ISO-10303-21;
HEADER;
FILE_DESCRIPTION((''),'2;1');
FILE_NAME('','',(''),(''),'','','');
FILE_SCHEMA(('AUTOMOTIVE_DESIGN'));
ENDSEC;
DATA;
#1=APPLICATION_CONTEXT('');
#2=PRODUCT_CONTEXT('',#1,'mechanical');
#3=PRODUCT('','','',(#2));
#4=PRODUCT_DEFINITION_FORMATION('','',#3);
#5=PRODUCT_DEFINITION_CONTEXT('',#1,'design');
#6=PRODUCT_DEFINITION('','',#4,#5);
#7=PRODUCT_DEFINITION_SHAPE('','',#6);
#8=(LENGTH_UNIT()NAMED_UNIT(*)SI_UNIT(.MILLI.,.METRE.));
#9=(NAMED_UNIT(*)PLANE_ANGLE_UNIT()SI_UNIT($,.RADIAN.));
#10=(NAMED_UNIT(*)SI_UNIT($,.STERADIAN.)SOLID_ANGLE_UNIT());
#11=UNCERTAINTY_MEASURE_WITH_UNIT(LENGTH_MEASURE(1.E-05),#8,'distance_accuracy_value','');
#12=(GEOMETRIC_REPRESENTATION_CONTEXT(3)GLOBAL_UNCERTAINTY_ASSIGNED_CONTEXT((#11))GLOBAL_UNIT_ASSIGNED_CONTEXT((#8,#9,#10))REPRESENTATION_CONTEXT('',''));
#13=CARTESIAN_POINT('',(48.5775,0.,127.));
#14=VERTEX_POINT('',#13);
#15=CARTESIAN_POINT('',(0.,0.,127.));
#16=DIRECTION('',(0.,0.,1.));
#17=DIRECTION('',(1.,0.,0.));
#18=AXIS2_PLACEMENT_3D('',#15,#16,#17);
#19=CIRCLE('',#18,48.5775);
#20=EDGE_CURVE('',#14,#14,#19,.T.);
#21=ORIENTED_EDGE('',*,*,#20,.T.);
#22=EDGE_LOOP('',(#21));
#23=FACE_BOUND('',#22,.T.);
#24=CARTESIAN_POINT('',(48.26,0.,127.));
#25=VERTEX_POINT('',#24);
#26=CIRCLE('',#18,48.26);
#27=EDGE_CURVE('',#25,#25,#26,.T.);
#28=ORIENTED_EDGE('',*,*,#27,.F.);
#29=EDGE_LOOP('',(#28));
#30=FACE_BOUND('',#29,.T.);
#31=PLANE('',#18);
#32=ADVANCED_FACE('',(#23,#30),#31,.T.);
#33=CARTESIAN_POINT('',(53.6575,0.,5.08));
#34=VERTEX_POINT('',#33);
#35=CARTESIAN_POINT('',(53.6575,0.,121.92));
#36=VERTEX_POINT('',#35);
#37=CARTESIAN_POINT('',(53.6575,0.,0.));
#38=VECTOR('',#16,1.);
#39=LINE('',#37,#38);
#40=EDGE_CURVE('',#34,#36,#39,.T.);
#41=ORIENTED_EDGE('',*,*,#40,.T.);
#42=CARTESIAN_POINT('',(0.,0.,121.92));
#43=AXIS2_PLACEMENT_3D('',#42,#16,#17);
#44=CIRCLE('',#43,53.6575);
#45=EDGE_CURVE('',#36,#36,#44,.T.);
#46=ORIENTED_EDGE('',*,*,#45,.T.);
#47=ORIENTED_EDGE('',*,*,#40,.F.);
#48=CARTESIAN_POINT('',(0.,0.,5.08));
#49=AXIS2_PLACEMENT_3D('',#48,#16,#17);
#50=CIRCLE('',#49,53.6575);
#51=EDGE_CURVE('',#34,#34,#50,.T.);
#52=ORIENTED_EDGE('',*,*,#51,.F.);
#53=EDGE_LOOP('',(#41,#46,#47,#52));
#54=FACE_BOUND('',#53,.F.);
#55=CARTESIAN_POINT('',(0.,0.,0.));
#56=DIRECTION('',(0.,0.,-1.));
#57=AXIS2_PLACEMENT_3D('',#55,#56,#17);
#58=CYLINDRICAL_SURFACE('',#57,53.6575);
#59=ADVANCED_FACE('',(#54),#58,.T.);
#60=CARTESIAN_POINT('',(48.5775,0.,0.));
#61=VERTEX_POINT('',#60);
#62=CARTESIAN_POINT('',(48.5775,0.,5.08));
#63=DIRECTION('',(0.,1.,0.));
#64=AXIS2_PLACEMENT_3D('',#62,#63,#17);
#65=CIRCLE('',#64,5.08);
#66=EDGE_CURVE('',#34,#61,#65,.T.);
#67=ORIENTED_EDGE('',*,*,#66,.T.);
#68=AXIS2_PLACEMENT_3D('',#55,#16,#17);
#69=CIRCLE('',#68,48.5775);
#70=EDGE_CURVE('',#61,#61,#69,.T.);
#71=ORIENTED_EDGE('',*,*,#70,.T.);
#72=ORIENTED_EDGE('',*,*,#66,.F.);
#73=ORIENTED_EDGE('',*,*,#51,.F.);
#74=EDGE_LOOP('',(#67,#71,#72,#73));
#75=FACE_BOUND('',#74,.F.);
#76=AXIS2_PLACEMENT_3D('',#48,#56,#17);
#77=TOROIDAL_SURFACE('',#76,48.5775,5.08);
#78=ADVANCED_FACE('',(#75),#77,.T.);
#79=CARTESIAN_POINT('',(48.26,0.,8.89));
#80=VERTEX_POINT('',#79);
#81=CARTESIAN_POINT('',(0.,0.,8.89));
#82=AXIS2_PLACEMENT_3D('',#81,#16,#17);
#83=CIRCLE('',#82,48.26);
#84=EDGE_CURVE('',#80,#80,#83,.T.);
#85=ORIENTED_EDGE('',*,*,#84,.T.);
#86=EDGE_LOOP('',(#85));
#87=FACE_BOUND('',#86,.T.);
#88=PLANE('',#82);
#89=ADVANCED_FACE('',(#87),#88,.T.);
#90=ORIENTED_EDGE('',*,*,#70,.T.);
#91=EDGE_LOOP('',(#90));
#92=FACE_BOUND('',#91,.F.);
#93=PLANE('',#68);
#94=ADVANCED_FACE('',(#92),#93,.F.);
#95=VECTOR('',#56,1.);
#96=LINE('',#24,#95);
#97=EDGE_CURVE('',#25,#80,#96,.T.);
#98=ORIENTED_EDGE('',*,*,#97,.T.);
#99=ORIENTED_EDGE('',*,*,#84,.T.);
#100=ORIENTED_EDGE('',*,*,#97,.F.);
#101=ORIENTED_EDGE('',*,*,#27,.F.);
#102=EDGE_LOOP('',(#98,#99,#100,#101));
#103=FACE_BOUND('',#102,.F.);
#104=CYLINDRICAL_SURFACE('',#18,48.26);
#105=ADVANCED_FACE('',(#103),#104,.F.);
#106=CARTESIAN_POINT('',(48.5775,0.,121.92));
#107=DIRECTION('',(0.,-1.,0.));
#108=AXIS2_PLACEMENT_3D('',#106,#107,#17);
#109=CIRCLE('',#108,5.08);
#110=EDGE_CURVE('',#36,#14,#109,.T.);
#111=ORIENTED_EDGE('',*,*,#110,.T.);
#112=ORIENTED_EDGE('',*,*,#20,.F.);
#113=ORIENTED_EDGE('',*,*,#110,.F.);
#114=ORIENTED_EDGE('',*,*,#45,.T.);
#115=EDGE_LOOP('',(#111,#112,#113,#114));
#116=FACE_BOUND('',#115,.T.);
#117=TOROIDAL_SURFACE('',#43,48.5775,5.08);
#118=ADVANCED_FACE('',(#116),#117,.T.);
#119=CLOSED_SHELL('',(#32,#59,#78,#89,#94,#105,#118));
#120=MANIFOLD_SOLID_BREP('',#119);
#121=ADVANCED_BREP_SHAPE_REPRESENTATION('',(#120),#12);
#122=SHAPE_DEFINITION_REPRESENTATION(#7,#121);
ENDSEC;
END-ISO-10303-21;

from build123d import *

# Parameters (mm, degrees)
F0_R     = 53.6575
F1_DEPTH = 127
F2_R     = 48.26
F3_DEPTH = 118.11
F4_R     = 5.08
F5_R     = 5.08


with BuildPart() as f1:
    # F0 (on Top) → F1 (new body)
    with BuildSketch(Plane.XY):
        Circle(F0_R)
    extrude(amount=F1_DEPTH)

    # F2 (on face) → F3 (cut)
    with BuildSketch(Plane.XY.offset(127)):
        Circle(F2_R)
    extrude(amount=-F3_DEPTH, mode=Mode.SUBTRACT)

    # F4
    f4_edges = [f1.edges().sort_by_distance(p)[0] for p in [
        (-53.6575, 0, 127),
    ]]
    fillet(f4_edges, radius=F4_R)

    # F5
    f5_edges = [f1.edges().sort_by_distance(p)[0] for p in [
        (-53.6575, 0, 0),
    ]]
    fillet(f5_edges, radius=F5_R)


solid = f1.part
